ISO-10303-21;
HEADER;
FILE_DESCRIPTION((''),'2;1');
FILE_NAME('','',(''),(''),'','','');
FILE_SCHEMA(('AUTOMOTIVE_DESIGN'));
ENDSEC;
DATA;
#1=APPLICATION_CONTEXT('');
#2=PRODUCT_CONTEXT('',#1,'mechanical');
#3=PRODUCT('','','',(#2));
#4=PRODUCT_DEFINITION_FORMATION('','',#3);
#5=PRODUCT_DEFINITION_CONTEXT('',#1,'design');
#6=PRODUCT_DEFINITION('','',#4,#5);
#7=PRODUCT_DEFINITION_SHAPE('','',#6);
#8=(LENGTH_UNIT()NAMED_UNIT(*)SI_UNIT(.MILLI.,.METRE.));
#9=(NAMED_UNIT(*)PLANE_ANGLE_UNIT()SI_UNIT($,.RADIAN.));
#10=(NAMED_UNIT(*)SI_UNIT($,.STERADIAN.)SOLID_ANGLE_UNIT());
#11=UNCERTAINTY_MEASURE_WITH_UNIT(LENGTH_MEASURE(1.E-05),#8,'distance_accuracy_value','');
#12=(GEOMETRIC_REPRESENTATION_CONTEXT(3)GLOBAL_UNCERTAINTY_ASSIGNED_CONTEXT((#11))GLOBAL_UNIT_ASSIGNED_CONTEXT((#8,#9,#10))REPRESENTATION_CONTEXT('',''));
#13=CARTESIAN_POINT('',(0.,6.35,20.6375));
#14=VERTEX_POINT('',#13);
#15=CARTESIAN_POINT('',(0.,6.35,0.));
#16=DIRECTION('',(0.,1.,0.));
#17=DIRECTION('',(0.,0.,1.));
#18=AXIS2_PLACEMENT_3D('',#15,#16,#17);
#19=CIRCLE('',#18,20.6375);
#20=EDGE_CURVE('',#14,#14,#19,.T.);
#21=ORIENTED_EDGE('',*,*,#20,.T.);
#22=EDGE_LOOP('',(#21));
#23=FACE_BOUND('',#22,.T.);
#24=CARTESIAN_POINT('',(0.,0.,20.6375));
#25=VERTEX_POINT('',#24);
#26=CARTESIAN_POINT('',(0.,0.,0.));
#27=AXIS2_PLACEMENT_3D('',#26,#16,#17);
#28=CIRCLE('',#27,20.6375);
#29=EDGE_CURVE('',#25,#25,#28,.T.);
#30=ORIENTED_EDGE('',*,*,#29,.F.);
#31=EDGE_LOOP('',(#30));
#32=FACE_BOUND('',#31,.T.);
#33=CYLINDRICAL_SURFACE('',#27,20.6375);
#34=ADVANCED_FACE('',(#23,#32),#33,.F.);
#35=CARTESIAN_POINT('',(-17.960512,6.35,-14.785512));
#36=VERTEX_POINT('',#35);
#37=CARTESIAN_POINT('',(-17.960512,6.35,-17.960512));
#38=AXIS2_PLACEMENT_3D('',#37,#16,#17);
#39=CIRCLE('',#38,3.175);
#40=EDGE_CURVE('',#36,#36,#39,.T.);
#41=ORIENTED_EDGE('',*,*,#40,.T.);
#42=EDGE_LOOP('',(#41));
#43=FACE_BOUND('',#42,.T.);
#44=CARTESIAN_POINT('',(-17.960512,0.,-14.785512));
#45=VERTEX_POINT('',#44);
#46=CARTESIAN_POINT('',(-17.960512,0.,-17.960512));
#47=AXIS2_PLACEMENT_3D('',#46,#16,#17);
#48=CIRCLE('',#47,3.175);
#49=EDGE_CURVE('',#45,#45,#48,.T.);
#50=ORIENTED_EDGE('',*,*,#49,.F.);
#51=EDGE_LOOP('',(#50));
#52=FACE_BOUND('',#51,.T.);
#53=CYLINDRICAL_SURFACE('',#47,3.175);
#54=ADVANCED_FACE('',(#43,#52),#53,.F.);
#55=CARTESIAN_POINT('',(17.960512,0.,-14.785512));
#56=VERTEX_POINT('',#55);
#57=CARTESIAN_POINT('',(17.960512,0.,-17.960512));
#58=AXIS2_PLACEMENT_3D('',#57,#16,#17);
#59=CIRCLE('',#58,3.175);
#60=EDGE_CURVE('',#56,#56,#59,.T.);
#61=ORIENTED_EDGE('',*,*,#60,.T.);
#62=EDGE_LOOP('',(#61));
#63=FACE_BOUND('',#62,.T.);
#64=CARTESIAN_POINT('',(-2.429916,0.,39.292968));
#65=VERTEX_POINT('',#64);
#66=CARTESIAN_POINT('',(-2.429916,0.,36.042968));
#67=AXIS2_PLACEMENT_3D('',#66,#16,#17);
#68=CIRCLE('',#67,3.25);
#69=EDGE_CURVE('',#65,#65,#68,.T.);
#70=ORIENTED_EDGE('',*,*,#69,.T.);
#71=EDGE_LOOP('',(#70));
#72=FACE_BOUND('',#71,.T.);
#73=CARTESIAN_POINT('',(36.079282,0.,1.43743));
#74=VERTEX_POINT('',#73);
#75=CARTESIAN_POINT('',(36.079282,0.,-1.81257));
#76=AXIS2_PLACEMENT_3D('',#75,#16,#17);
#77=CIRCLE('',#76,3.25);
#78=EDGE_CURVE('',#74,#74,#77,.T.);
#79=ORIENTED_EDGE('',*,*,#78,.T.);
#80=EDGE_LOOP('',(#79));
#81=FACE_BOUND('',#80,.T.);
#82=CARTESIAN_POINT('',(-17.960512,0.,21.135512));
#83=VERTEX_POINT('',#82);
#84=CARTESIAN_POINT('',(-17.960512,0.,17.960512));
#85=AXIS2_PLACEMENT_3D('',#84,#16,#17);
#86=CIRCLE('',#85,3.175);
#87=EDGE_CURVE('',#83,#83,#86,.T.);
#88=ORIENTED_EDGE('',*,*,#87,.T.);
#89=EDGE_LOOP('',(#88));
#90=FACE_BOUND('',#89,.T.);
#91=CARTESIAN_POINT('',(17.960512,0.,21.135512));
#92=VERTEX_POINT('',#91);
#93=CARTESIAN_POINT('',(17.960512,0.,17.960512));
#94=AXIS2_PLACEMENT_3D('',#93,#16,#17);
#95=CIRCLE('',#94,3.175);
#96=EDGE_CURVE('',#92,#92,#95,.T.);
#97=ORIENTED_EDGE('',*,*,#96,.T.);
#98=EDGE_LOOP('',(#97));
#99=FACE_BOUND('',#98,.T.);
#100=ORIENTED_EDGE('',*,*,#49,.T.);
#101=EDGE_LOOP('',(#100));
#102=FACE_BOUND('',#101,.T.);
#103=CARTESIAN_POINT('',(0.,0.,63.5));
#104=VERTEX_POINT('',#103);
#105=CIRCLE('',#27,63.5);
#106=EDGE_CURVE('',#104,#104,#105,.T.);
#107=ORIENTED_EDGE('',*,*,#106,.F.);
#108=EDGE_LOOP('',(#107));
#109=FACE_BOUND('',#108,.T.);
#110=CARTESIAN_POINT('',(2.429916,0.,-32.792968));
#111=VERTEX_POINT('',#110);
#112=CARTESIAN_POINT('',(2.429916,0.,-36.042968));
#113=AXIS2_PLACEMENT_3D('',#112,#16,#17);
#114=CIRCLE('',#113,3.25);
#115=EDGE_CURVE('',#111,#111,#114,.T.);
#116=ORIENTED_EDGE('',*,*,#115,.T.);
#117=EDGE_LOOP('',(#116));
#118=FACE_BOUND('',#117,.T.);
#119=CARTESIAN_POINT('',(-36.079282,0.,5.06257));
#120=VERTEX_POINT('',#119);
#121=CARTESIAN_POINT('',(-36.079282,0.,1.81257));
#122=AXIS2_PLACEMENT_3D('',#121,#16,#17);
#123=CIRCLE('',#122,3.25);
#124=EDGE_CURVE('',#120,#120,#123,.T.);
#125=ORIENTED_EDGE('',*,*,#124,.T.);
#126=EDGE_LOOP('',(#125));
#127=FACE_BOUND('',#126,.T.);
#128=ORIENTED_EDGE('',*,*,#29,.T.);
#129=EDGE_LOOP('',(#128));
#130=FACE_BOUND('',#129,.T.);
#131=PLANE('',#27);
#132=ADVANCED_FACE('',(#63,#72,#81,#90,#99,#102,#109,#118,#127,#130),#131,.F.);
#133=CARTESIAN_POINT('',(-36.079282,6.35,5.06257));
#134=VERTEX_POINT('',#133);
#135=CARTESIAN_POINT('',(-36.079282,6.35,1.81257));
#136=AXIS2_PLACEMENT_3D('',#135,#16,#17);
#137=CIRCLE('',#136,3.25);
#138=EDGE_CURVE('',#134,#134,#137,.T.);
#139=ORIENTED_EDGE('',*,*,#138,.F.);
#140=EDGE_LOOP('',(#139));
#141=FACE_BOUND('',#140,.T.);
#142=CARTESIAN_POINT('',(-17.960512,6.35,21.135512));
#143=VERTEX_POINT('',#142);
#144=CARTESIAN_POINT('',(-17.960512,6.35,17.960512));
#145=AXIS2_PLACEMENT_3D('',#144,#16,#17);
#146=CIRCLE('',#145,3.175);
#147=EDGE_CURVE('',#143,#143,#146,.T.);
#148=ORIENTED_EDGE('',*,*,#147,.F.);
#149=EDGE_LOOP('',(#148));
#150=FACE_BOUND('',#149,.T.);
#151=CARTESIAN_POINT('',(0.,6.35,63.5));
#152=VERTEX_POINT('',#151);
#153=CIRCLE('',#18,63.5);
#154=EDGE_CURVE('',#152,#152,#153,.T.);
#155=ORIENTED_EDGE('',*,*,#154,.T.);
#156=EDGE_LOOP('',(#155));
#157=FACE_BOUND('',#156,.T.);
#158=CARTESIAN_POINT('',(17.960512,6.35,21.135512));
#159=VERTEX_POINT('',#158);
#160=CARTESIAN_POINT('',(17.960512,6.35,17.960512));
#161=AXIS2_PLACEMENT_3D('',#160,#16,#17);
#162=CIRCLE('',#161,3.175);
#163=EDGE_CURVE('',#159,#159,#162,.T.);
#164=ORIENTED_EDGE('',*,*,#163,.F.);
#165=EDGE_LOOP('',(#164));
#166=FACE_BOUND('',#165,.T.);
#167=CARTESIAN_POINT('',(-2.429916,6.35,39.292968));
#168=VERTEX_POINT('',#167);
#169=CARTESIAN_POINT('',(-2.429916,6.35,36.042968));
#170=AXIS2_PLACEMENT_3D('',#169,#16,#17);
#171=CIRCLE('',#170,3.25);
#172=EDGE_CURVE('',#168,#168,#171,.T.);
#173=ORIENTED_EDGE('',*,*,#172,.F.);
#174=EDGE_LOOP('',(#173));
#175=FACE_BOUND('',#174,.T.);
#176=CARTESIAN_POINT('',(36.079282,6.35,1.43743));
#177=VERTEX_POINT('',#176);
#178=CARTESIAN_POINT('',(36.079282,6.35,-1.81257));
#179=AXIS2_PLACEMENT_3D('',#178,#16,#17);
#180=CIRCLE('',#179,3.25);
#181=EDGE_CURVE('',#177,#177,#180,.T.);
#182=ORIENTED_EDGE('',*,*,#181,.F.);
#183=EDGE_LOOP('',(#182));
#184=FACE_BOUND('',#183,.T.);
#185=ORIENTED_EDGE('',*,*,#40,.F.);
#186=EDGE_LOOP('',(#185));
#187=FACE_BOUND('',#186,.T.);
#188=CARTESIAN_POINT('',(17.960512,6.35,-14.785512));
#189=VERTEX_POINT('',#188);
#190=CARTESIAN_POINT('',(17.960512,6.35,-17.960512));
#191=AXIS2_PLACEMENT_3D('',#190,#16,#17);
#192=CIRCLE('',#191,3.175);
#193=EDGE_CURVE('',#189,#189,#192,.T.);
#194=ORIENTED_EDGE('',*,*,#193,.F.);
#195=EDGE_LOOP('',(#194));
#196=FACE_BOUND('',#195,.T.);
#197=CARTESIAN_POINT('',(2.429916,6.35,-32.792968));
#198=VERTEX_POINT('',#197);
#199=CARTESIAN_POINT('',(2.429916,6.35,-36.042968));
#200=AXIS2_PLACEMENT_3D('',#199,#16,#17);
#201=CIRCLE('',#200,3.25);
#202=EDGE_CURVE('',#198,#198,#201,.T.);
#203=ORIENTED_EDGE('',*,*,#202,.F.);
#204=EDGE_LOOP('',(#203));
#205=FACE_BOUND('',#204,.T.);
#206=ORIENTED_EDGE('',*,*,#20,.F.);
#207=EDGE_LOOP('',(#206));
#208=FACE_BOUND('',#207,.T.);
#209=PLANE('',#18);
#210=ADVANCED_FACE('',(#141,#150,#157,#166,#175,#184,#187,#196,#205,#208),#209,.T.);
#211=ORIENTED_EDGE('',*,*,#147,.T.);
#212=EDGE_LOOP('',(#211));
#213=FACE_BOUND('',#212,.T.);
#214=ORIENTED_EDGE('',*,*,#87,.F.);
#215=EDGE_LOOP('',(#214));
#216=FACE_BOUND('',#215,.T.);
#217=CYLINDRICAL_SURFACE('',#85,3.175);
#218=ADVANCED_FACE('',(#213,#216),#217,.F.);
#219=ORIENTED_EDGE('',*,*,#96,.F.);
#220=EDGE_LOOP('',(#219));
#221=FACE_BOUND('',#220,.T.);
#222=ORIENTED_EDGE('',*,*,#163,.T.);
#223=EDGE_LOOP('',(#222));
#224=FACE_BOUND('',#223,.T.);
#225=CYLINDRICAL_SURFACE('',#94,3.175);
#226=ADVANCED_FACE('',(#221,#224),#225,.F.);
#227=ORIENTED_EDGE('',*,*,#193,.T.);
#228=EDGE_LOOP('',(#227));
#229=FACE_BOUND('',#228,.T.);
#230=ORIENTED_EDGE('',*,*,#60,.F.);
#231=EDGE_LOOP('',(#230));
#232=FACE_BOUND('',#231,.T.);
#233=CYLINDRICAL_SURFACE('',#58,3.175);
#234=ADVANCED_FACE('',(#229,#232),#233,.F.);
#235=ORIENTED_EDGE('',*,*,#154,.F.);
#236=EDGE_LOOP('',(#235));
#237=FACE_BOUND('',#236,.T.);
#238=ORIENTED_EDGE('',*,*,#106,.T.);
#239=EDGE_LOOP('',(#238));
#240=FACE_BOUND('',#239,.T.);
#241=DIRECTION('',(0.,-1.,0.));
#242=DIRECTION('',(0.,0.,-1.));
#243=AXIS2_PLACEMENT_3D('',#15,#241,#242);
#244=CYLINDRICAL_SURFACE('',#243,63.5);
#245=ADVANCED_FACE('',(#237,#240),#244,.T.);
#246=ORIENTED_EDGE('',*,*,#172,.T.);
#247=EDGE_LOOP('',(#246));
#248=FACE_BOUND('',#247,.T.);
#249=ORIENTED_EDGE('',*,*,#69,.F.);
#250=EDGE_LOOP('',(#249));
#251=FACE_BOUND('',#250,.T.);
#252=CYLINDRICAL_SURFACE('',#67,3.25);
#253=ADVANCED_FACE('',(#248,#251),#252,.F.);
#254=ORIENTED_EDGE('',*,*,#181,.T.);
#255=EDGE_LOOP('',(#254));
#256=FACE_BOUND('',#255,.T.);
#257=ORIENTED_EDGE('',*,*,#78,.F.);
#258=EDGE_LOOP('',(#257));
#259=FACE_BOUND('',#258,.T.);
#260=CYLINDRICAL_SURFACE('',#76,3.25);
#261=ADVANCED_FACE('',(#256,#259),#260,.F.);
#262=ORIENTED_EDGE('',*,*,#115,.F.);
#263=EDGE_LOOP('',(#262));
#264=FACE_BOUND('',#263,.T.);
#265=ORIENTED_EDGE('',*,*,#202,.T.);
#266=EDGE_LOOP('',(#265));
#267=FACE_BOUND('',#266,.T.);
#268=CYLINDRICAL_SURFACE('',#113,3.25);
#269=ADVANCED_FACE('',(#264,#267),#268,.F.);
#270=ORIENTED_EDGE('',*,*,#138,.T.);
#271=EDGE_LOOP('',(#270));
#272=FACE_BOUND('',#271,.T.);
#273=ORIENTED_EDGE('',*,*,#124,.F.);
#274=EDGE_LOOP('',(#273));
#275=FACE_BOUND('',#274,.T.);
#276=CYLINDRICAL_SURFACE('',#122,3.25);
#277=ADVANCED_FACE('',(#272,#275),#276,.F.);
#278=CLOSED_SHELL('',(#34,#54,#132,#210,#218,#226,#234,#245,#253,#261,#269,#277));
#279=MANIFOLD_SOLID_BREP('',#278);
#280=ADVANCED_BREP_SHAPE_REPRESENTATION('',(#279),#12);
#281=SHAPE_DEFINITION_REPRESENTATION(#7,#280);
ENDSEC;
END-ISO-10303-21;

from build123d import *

# Parameters (mm, degrees)
SKETCH1_R           = 63.5
BOSS_EXTRUDE1_DEPTH = 6.35
SKETCH2_R           = 20.6375
CUT_EXTRUDE1_DEPTH  = 91.02678768
SKETCH3_R           = 3.175
CUT_EXTRUDE2_DEPTH  = 91.02678768
SKETCH4_R           = 3.25
CUT_EXTRUDE3_DEPTH  = 91.02678768


with BuildPart() as part:
    # Sketch1 → Boss-Extrude1 (new body)
    with BuildSketch(Plane(origin=(0, 0, 0), x_dir=(1, 0, 0), z_dir=(0, 1, 0))):
        with Locations(Location((0, 0, 0), (0, 0, 270))):
            Circle(SKETCH1_R)
    extrude(amount=BOSS_EXTRUDE1_DEPTH)

    # Sketch2 → Cut-Extrude1 (cut, through all)
    with BuildSketch(Plane(origin=(0, 6.35, 0), x_dir=(1, 0, 0), z_dir=(0, 1, 0))):
        with Locations(Location((0, 0, 0), (0, 0, 270))):
            Circle(SKETCH2_R)
    extrude(amount=-CUT_EXTRUDE1_DEPTH, mode=Mode.SUBTRACT)

    # Sketch3 → Cut-Extrude2 (cut, through all)
    with BuildSketch(Plane(origin=(0, 6.35, 0), x_dir=(1, 0, 0), z_dir=(0, 1, 0))):
        with Locations(Location((-17.960512242, 17.960512242, 0), (0, 0, 270))):
            Circle(SKETCH3_R)
        with Locations(Location((17.960512242, 17.960512242, 0), (0, 0, 270))):
            Circle(SKETCH3_R)
        with Locations(Location((17.960512242, -17.960512242, 0), (0, 0, 270))):
            Circle(SKETCH3_R)
        with Locations(Location((-17.960512242, -17.960512242, 0), (0, 0, 270))):
            Circle(SKETCH3_R)
    extrude(amount=-CUT_EXTRUDE2_DEPTH, mode=Mode.SUBTRACT)

    # Sketch4 → Cut-Extrude3 (cut, through all)
    with BuildSketch(Plane(origin=(0, 6.35, 0), x_dir=(1, 0, 0), z_dir=(0, 1, 0))):
        with Locations(Location((-36.079282025, -1.812569594, 0), (0, 0, 270))):
            Circle(SKETCH4_R)
        with Locations(Location((2.429915675, 36.04296755, 0), (0, 0, 270))):
            Circle(SKETCH4_R)
        with Locations(Location((36.079282025, 1.812569594, 0), (0, 0, 270))):
            Circle(SKETCH4_R)
        with Locations(Location((-2.429915675, -36.04296755, 0), (0, 0, 270))):
            Circle(SKETCH4_R)
    extrude(amount=-CUT_EXTRUDE3_DEPTH, mode=Mode.SUBTRACT)


solid = part.part
